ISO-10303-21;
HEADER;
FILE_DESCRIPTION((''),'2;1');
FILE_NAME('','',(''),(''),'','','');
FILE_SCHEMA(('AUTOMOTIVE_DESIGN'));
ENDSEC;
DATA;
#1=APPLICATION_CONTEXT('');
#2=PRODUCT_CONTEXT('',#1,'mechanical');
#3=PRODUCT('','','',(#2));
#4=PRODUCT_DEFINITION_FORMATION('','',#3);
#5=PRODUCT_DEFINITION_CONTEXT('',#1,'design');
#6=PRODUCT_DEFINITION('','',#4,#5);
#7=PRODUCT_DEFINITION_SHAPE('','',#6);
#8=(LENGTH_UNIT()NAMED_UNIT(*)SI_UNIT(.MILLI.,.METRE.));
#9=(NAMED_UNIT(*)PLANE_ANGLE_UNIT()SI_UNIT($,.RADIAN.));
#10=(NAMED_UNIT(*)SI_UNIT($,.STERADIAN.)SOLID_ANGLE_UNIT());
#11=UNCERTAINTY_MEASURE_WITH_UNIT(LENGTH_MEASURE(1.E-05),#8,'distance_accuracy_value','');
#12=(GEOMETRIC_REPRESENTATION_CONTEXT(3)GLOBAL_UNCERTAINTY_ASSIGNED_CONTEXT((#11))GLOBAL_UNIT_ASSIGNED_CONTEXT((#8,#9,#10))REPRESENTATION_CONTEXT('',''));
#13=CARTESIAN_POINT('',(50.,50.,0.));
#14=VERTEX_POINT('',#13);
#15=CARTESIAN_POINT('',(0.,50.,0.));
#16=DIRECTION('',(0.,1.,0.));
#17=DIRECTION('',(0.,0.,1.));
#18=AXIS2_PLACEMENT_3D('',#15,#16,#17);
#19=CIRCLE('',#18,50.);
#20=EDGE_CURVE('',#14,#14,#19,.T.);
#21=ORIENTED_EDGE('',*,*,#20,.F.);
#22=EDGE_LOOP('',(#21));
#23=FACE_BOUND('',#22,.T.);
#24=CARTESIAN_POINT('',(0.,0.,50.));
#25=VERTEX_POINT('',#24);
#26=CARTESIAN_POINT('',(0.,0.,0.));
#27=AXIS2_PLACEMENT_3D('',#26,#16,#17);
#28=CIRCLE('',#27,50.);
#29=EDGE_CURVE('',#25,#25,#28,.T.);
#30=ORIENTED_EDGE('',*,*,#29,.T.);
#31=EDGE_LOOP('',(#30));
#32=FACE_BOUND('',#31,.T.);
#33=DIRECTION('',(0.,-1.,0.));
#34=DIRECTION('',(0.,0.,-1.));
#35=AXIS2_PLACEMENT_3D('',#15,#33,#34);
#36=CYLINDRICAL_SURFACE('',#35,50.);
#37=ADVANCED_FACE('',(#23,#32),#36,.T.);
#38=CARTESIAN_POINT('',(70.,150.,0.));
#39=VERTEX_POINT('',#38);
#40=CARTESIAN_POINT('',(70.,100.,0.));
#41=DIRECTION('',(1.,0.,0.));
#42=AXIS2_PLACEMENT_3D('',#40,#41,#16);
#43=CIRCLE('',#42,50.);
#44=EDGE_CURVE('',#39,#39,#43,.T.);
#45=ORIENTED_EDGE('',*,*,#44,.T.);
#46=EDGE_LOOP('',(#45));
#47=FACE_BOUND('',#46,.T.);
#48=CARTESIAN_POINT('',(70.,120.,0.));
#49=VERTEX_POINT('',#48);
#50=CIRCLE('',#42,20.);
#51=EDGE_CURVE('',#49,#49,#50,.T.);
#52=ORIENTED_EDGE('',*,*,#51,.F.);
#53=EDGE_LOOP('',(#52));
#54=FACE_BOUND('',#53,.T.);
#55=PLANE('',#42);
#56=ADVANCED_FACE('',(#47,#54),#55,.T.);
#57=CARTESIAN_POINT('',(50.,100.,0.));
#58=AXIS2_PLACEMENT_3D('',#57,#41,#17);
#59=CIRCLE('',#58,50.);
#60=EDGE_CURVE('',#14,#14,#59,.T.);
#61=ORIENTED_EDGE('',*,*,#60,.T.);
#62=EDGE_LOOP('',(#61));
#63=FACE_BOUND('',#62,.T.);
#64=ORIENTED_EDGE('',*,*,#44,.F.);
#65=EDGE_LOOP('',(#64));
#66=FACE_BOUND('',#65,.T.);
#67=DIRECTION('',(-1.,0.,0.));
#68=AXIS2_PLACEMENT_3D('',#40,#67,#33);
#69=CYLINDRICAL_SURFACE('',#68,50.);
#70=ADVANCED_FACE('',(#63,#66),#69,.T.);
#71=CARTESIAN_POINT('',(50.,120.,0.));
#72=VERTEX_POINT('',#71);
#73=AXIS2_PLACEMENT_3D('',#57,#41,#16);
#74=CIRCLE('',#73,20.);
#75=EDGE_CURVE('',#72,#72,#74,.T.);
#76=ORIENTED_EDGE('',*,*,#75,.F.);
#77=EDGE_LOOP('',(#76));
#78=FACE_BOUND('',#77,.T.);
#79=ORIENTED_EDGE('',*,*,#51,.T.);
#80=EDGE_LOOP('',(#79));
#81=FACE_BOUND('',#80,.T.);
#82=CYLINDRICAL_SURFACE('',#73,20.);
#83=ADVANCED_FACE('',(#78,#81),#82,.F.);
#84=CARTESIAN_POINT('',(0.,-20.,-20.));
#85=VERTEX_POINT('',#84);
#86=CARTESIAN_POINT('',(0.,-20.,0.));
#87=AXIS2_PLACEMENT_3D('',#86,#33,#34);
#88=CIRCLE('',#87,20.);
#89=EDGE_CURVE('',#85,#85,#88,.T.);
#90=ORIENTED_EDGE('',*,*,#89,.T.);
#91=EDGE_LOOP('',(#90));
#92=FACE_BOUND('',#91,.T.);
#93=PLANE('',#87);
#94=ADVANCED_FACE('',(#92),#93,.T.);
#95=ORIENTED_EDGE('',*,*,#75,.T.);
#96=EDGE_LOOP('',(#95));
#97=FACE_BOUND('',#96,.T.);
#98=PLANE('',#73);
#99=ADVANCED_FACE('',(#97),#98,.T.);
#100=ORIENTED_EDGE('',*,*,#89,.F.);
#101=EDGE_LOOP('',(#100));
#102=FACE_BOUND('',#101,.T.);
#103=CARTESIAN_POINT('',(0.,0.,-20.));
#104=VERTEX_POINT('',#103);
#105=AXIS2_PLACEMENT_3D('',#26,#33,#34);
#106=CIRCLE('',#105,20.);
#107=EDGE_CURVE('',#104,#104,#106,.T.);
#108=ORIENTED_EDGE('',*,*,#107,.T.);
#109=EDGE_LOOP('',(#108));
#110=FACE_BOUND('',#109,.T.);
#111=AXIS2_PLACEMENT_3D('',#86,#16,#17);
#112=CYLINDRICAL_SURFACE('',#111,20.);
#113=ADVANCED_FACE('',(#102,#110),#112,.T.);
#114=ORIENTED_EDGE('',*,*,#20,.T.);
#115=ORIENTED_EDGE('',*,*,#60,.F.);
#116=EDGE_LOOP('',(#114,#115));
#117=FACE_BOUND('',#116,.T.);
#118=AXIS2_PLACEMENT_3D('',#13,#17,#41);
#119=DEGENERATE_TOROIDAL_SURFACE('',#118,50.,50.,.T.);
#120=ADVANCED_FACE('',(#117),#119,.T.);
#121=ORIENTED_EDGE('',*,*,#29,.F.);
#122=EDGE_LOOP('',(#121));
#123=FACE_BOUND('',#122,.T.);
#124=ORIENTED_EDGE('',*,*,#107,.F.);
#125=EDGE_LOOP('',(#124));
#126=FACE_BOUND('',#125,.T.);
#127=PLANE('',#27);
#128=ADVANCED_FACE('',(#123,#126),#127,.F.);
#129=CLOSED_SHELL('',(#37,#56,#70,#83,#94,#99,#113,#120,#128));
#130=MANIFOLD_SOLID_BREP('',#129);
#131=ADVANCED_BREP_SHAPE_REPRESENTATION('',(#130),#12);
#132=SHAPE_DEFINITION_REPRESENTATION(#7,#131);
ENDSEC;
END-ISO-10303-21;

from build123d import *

# Parameters (mm, degrees)
SKETCH1_R           = 50
BOSS_EXTRUDE1_DEPTH = 50
SKETCH2_R           = 50
SKETCH5_R           = 50
BOSS_EXTRUDE2_DEPTH = 20
SKETCH6_R           = 20
CUT_EXTRUDE1_DEPTH  = 20
SKETCH7_R           = 20
BOSS_EXTRUDE3_DEPTH = 20


with BuildPart() as part:
    # Sketch1 → Boss-Extrude1 (new body)
    with BuildSketch(Plane(origin=(0, 0, 0), x_dir=(1, 0, 0), z_dir=(0, 1, 0))):
        with Locations(Location((0, 0, 0), (0, 0, 270))):
            Circle(SKETCH1_R)
    extrude(amount=BOSS_EXTRUDE1_DEPTH)

    # Sweep1: sweep along a path in Sketch3
    with BuildLine(Plane.XY) as sweep1_path:
        ThreePointArc((50, 100), (14.644660941, 85.355339059), (0, 50))
    # Sketch2 → Sweep1 (sweep)
    with BuildSketch(Plane(origin=(0, 50, 0), x_dir=(1, 0, 0), z_dir=(0, 1, 0))):
        Circle(SKETCH2_R)
    sweep(path=sweep1_path.line)

    # Sketch5 → Boss-Extrude2 (add)
    with BuildSketch(Plane(origin=(50, 0, 0), x_dir=(0, 0, -1), z_dir=(1, 0, 0))):
        with Locations(Location((0, 100, 0), (0, 0, 270))):
            Circle(SKETCH5_R)
    extrude(amount=BOSS_EXTRUDE2_DEPTH)

    # Sketch6 → Cut-Extrude1 (cut)
    with BuildSketch(Plane(origin=(70, 0, 0), x_dir=(0, 0, -1), z_dir=(1, 0, 0))):
        with Locations(Location((0, 100, 0), (0, 0, 90))):
            Circle(SKETCH6_R)
    extrude(amount=-CUT_EXTRUDE1_DEPTH, mode=Mode.SUBTRACT)

    # Sketch7 → Boss-Extrude3 (add)
    with BuildSketch(Plane.XZ):
        with Locations(Location((0, 0, 0), (0, 0, 270))):
            Circle(SKETCH7_R)
    extrude(amount=BOSS_EXTRUDE3_DEPTH)


solid = part.part
